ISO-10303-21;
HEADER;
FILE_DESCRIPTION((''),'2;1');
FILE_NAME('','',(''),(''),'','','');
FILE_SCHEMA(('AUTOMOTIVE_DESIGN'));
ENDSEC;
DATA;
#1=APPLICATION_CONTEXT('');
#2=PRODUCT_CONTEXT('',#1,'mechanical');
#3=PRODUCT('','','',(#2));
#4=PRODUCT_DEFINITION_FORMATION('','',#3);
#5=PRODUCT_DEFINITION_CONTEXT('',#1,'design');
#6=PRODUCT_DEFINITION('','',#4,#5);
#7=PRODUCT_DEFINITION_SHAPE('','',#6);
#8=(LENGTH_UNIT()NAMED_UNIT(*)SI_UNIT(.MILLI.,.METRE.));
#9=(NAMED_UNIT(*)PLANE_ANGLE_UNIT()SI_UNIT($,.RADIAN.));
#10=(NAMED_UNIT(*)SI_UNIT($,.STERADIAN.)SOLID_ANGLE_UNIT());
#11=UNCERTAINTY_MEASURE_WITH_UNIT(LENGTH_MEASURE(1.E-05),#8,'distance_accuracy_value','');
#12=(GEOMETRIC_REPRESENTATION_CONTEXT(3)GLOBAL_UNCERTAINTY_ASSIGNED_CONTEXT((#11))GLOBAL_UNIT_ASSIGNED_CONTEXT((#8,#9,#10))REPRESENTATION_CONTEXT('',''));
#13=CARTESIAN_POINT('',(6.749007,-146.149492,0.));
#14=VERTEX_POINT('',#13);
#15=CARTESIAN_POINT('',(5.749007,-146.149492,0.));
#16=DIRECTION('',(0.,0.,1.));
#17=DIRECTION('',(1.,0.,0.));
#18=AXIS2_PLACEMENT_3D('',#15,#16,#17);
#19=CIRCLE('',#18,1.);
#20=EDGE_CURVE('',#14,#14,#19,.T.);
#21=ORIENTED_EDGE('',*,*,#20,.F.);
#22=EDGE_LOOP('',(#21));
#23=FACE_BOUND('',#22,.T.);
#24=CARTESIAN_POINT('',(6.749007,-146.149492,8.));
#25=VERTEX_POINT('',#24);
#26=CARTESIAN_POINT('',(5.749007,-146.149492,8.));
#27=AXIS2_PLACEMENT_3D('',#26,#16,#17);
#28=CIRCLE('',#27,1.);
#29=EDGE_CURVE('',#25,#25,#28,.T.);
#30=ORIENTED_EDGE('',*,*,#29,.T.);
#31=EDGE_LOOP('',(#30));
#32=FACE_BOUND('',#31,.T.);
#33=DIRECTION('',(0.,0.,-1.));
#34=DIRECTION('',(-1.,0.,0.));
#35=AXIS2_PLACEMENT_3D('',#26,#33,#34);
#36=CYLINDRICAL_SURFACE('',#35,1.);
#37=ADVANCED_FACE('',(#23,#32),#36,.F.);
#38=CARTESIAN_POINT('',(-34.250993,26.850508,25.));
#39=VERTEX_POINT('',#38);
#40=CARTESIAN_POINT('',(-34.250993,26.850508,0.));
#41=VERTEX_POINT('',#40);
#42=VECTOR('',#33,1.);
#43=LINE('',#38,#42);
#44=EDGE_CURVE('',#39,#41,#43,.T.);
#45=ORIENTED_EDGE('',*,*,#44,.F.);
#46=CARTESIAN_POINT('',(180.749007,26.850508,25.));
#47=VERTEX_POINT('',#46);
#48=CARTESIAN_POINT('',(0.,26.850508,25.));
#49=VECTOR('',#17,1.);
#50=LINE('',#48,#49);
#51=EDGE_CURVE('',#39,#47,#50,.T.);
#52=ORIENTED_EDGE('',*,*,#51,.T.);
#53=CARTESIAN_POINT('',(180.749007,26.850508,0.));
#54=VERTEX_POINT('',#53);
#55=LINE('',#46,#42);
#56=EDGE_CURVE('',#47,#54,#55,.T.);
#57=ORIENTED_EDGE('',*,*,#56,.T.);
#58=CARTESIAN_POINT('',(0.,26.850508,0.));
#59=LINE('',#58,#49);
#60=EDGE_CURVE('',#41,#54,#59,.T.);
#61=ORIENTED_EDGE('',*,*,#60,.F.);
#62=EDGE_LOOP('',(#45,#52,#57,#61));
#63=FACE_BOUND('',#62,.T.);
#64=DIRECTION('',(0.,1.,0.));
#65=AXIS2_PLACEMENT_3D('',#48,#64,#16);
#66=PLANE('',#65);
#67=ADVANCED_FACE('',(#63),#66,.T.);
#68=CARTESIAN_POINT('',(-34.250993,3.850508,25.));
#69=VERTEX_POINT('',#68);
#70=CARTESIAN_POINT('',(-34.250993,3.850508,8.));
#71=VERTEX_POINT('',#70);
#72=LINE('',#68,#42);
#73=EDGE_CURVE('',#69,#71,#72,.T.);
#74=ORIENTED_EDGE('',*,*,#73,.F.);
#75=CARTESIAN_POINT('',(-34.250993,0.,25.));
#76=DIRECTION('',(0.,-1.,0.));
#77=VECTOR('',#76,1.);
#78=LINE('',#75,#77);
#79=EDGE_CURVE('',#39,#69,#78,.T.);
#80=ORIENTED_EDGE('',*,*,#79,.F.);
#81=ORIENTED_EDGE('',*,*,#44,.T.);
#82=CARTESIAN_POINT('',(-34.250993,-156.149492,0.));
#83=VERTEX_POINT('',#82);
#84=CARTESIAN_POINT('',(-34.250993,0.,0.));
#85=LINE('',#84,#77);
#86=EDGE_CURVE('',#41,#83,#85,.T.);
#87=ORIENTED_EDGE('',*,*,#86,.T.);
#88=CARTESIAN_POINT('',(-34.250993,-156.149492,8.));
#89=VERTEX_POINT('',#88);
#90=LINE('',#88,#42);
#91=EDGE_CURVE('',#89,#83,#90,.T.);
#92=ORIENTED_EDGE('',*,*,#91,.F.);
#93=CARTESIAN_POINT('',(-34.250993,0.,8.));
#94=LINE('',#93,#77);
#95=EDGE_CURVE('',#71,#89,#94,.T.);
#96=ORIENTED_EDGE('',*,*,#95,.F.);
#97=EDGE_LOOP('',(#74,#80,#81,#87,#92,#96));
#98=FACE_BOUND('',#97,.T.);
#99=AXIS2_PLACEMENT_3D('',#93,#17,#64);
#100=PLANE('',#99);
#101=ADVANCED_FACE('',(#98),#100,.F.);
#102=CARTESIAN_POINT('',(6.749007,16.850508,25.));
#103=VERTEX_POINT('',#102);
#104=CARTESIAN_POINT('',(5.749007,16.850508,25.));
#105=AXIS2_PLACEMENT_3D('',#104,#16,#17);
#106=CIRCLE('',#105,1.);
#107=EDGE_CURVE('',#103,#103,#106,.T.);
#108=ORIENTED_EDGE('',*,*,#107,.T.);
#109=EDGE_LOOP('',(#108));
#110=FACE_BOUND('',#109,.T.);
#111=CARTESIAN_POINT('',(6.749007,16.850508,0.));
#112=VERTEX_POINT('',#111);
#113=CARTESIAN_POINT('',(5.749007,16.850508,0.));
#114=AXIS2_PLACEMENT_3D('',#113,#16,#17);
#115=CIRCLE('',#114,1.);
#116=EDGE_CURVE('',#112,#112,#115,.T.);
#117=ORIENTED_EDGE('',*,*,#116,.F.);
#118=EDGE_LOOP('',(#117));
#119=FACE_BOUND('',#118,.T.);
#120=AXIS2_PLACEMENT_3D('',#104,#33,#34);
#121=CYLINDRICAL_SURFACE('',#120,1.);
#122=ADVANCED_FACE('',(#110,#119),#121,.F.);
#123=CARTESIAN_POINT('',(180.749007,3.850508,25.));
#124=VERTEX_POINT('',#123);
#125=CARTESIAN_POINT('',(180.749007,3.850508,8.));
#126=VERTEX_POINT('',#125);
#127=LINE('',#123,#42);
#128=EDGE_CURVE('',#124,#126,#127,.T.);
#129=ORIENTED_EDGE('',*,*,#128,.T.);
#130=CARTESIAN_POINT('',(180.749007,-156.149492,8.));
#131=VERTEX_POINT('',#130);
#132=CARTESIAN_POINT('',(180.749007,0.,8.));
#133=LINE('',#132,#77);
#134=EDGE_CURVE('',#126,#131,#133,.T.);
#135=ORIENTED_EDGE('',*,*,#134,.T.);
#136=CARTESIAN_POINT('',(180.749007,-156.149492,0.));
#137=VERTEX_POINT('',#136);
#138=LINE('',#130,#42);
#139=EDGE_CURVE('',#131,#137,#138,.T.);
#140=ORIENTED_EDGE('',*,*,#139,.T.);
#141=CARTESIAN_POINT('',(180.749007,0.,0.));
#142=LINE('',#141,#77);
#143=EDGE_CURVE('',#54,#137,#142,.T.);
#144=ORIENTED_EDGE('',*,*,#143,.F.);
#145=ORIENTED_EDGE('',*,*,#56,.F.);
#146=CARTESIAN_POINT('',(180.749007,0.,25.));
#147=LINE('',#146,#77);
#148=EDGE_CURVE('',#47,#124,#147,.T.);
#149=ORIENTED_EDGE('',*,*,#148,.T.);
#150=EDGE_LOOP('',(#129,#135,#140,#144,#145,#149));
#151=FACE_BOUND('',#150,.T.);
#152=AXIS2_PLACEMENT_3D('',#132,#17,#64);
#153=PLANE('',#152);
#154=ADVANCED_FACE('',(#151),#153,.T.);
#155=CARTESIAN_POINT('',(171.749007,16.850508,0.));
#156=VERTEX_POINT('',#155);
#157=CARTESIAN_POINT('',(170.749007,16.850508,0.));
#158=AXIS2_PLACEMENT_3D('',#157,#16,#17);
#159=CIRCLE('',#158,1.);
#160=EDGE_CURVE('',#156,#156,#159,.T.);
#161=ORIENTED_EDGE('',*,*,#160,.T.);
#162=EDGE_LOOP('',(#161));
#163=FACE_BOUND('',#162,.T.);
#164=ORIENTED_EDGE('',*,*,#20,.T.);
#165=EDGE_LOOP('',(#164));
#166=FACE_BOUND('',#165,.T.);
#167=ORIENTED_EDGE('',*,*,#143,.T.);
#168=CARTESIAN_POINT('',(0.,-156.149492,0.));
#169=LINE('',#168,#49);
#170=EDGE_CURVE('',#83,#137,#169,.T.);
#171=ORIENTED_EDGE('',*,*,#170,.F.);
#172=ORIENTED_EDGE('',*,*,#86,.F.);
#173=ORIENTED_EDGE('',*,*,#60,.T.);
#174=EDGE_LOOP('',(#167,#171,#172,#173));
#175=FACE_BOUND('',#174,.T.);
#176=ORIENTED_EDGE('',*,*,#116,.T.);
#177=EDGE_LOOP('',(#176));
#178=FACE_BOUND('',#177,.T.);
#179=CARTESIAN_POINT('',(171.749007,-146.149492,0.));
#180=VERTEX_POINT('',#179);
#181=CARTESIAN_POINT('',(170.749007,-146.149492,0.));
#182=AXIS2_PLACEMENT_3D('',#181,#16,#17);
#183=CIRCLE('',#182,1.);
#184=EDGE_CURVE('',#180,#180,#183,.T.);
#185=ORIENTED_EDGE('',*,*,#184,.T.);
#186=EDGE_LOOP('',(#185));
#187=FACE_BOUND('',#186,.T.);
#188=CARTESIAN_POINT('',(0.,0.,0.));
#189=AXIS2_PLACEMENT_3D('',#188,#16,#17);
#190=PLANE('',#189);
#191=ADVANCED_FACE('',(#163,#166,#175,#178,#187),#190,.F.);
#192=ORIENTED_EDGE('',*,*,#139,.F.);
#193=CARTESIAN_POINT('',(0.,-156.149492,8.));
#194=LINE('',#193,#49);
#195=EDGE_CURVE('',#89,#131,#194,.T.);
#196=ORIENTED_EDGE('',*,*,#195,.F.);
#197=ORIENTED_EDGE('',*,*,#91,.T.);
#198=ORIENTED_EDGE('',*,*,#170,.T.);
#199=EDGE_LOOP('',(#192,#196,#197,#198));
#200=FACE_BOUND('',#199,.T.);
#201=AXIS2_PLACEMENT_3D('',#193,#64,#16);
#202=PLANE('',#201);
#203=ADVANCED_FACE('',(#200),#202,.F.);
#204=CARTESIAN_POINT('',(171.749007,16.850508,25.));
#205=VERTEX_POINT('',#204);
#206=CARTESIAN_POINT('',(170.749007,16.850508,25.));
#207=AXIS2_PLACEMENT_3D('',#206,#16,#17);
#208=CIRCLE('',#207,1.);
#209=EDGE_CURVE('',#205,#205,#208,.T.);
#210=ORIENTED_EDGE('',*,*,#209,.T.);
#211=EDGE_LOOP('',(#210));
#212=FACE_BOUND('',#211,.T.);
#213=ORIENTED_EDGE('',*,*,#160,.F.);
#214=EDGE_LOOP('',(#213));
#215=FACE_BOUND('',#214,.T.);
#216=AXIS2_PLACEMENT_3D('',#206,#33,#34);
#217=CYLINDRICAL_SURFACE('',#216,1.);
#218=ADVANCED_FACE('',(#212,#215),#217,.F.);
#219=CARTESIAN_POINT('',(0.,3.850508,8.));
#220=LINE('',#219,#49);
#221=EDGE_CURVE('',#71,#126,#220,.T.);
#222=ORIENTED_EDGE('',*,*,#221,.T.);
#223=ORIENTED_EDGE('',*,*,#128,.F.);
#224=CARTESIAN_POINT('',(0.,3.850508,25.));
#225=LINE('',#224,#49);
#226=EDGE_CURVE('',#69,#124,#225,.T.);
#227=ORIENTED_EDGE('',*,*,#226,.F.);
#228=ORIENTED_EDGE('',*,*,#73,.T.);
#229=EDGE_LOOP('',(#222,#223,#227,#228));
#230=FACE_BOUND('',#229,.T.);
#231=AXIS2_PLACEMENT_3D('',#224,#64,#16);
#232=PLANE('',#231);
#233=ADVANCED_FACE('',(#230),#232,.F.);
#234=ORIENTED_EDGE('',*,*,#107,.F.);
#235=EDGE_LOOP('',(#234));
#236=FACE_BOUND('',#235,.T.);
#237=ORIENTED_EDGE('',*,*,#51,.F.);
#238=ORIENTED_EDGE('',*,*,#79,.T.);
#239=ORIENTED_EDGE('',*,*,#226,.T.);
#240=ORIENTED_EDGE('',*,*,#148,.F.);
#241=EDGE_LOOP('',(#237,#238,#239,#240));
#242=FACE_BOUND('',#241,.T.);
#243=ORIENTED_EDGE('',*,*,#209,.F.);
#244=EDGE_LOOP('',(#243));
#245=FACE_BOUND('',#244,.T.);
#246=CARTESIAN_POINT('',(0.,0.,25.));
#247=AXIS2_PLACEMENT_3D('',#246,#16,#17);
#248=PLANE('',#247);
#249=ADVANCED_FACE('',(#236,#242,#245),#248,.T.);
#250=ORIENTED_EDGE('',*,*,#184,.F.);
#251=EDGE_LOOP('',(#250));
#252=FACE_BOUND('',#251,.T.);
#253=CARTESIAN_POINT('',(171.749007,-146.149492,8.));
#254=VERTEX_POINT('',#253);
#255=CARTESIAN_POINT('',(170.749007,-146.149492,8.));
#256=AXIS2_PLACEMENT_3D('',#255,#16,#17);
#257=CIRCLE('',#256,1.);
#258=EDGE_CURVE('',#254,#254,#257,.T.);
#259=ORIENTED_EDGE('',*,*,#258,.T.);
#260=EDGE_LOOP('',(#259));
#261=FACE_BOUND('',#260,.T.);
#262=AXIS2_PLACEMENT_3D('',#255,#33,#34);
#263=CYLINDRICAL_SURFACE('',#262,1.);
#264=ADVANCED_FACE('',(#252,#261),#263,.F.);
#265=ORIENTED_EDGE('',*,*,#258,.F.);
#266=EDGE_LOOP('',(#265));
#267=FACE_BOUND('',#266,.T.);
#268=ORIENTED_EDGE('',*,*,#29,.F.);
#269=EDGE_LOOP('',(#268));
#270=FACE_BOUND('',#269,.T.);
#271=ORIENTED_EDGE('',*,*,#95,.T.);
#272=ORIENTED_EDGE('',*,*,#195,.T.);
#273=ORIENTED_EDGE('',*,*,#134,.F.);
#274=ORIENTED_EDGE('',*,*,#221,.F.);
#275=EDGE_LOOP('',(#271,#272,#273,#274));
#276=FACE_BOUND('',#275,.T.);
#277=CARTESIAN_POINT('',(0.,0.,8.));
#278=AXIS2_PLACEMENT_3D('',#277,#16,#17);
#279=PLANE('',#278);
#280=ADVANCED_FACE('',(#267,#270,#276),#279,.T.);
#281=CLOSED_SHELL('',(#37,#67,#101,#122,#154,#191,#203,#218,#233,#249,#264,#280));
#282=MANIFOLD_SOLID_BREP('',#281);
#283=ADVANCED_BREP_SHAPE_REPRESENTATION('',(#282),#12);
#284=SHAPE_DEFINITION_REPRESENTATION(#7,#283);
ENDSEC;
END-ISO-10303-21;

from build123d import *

# Parameters (mm, degrees)
CROQUIS1_W              = 215
CROQUIS1_H              = 160
CROQUIS1_R              = 1
SALIENTE_EXTRUIR1_DEPTH = 8
CROQUIS1_3_W            = 215
CROQUIS1_3_H            = 23
CROQUIS1_3_R            = 1
SALIENTE_EXTRUIR2_DEPTH = 25


with BuildPart() as part:
    # Croquis1 → Saliente-Extruir1 (new body)
    with BuildSketch(Plane.XY):
        with Locations((73.249006664, -76.149492386)):
            Rectangle(CROQUIS1_W, CROQUIS1_H)
        with Locations((5.749006664, -146.149492386)):
            Circle(CROQUIS1_R, mode=Mode.SUBTRACT)
        with Locations((170.749006664, -146.149492386)):
            Circle(CROQUIS1_R, mode=Mode.SUBTRACT)
    extrude(amount=SALIENTE_EXTRUIR1_DEPTH)

    # Croquis1_3 → Saliente-Extruir2 (add)
    with BuildSketch(Plane.XY):
        with Locations((73.249006664, 15.350507614)):
            Rectangle(CROQUIS1_3_W, CROQUIS1_3_H)
        with Locations((5.749006664, 16.850507614)):
            Circle(CROQUIS1_3_R, mode=Mode.SUBTRACT)
        with Locations((170.749006664, 16.850507614)):
            Circle(CROQUIS1_3_R, mode=Mode.SUBTRACT)
    extrude(amount=SALIENTE_EXTRUIR2_DEPTH)


solid = part.part
